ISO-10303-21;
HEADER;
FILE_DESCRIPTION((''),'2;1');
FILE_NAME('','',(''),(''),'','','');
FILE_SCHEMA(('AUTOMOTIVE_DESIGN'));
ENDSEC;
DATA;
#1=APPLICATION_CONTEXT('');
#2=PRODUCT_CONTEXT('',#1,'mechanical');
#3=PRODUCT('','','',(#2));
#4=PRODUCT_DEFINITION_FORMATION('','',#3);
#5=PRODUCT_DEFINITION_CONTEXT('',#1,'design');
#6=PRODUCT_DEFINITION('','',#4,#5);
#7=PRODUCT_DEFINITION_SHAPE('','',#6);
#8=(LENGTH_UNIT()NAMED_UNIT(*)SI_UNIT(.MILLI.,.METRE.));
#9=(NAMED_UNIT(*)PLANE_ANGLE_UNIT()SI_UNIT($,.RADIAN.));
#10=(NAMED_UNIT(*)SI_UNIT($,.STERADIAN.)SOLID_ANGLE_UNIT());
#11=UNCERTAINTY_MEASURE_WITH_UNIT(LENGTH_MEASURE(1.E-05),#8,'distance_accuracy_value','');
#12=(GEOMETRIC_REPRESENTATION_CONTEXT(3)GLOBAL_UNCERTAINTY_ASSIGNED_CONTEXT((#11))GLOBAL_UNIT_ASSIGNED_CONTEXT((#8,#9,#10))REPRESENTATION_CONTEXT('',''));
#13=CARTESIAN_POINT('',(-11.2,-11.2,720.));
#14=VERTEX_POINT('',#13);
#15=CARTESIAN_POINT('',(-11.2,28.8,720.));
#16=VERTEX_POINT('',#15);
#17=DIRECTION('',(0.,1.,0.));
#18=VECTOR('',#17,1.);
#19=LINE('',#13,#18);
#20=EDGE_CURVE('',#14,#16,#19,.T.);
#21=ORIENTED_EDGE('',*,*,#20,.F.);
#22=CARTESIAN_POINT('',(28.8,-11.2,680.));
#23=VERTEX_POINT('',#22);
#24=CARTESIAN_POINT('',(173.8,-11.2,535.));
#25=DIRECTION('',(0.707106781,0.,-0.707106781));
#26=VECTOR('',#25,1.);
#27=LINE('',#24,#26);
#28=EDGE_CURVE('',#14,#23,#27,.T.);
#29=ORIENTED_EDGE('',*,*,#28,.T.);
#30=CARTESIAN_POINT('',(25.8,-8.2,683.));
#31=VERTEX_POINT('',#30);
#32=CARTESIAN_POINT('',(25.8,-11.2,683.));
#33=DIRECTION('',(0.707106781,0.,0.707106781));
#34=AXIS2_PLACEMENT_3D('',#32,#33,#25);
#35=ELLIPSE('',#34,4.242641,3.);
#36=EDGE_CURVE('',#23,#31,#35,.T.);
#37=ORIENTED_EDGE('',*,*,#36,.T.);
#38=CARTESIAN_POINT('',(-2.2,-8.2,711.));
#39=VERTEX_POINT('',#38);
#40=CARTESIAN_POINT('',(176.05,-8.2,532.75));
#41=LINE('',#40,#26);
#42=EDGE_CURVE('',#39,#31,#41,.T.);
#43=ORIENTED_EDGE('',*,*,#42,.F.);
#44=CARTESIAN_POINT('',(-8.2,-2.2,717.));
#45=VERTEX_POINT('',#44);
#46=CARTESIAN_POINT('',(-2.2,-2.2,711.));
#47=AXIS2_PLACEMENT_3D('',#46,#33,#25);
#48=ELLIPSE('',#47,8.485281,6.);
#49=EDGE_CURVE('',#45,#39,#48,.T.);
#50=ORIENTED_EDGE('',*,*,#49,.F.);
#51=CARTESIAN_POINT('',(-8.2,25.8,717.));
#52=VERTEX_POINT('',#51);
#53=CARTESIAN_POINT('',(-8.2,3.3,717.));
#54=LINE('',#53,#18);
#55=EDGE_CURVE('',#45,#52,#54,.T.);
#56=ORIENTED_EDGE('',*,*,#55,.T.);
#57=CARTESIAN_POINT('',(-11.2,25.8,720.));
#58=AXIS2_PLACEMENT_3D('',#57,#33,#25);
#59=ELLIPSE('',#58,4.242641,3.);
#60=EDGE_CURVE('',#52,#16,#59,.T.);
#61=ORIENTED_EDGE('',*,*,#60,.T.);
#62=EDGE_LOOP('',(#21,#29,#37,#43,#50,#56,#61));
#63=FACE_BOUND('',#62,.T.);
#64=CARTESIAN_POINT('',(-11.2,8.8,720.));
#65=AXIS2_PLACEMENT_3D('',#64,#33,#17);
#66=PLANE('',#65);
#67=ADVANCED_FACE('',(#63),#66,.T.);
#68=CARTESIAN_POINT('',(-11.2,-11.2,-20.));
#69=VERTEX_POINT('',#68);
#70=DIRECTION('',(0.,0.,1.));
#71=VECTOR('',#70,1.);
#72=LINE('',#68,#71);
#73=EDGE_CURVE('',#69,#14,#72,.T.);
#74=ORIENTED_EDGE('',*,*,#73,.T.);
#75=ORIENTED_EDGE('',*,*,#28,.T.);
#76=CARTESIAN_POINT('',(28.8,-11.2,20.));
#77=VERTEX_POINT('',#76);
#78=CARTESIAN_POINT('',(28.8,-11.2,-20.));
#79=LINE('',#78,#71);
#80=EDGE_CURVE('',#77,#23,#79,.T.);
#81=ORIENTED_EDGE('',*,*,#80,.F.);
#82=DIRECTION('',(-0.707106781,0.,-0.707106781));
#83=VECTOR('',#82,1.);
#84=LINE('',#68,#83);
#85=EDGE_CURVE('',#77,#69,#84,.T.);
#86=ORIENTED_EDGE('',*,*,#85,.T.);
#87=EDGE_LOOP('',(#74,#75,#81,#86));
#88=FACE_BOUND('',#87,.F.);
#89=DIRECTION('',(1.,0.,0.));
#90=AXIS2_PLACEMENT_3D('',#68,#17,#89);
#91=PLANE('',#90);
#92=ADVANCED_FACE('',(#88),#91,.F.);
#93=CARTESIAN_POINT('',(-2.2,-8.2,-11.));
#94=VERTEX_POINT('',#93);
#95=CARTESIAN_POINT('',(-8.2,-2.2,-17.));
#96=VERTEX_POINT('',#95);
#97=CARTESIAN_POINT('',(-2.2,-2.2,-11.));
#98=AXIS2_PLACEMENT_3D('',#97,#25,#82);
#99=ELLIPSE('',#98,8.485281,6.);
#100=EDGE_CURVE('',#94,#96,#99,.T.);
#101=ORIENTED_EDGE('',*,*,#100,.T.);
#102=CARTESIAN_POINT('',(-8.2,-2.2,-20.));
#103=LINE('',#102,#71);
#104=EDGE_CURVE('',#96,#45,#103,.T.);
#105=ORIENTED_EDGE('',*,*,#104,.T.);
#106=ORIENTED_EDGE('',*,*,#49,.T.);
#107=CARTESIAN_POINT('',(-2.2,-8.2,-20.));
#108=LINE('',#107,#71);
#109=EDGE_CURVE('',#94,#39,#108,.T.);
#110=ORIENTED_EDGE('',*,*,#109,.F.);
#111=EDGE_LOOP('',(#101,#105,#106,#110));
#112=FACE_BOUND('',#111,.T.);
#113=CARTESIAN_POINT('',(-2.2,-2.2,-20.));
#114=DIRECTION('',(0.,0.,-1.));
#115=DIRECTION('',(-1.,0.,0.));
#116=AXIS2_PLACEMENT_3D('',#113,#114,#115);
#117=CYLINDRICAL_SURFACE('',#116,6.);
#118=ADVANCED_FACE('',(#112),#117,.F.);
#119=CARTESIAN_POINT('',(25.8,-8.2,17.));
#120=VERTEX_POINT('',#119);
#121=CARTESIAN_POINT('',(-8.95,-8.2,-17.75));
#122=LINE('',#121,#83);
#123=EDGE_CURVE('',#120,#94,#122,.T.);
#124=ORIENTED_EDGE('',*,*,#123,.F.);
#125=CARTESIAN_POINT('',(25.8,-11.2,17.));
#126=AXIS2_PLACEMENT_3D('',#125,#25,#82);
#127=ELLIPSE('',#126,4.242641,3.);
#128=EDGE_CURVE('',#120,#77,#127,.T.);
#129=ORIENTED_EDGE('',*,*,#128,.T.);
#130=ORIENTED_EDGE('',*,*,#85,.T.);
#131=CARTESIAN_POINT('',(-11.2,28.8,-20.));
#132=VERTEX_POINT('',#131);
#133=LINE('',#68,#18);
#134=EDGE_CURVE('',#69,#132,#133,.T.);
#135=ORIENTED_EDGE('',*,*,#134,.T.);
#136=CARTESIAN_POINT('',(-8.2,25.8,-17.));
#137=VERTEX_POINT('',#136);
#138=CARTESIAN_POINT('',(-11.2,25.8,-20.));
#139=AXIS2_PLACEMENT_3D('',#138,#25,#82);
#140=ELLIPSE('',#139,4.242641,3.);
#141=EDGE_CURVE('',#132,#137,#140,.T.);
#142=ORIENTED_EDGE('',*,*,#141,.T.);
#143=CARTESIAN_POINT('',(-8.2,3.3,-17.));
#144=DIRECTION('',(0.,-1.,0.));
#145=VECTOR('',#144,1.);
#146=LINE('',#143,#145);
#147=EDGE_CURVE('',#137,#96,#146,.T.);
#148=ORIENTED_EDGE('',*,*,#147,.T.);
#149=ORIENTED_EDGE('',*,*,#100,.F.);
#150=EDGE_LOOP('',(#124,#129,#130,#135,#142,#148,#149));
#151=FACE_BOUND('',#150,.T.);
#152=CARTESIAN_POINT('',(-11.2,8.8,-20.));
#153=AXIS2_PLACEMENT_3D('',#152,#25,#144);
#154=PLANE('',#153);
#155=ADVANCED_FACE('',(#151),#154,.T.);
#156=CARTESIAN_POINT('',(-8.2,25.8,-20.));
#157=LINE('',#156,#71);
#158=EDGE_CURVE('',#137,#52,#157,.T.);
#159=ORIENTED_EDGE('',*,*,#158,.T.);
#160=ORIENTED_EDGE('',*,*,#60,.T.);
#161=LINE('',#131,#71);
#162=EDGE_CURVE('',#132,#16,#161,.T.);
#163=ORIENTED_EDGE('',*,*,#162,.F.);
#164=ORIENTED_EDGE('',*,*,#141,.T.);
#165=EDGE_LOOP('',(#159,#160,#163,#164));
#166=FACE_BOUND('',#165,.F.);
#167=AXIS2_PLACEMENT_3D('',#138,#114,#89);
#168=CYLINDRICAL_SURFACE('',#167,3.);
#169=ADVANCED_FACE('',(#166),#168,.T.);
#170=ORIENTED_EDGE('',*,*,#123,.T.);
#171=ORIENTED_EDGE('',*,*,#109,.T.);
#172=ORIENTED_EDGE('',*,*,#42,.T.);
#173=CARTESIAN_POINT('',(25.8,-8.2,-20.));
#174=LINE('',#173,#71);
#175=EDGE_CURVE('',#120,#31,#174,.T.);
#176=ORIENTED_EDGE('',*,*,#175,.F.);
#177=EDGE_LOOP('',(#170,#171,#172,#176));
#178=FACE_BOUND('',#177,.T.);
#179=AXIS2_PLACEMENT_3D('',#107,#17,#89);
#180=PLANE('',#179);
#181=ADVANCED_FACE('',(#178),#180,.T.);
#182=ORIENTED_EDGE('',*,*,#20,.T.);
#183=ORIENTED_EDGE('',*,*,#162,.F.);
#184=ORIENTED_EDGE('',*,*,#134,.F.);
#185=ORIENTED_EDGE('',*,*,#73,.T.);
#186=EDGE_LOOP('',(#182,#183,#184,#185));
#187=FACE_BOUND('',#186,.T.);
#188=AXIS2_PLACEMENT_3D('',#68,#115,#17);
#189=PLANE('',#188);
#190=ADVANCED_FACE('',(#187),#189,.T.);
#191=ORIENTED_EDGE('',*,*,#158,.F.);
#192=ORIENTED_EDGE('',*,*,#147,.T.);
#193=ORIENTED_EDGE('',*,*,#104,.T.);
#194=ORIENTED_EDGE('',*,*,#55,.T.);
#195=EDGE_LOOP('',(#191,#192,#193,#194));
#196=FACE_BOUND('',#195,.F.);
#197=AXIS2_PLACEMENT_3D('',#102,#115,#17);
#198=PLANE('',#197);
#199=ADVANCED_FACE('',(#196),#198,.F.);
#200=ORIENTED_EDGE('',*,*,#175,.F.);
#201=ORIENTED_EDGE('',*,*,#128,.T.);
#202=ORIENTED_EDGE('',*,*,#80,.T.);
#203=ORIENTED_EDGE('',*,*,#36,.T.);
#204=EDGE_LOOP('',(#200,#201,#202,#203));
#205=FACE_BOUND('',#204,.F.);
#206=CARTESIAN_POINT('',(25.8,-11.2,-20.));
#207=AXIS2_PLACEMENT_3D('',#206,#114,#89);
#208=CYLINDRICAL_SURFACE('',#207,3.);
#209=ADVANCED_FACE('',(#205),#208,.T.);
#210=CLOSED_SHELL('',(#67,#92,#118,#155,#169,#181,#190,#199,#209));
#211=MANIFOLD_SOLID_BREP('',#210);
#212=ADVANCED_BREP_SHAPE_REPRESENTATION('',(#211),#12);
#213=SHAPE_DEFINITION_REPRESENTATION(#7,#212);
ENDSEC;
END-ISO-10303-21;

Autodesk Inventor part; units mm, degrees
ref_plane "Start plane" through (0, 0, -20) normal (0, 0, 1) x (1, 0, 0)
ref_plane "End plane" through (0, 0, 720) normal (0, 0, 1) x (1, 0, 0)
sketch "Sketch2" plane through (0, 0, 0) normal (0, 0, 1) x (1, 0, 0)
  line L0 (-8.2, -2.2) -> (-8.2, 25.8)
  line L1 (-11.2, 28.8) -> (-11.2, 28.8)
  line L2 (-11.2, -11.2) -> (-11.2, 28.8)
  line L3 (-11.2, -11.2) -> (28.8, -11.2)
  line L4 (28.8, -11.2) -> (28.8, -11.2)
  line L5 (-2.2, -8.2) -> (25.8, -8.2)
  arc A0 (-8.2, -2.2) -> (-2.2, -8.2) centre (-2.2, -2.2) ccw
  arc A1 (-8.2, 25.8) -> (-11.2, 28.8) centre (-11.2, 25.8) ccw
  arc A2 (28.8, -11.2) -> (25.8, -8.2) centre (25.8, -11.2) ccw
  line L6 (0, 37.5456) -> (0, -19.3243) construction
  line L7 (-19.3243, 0) -> (37.5456, 0) construction
  point P0 (-8.2, -8.2)
  point P1 (-8.2, 28.8)
  point P2 (28.8, -8.2)
  dimension "d4" = 40
  dimension "d6" = 40
  dimension "d8" = 3
  dimension "d10" = 3
  dimension "d17" = 6
  dimension "d18" = 3
  dimension "d19" = 11.2
  dimension "d20" = 11.2
extrude "Body" add sketch "Sketch2" along normal up to surface (740 mm away) from surface at -20
sketch "Sketch3" plane through (0, 0, 0) normal (0, 0, 1) x (1, 0, 0)
  line L0 (0, 0) -> (10, 0)
ref_plane "Work Plane10" through (0, 0, 0) normal (0, -1, 0) x (1, 0, 0)
sketch "Sketch4" plane through (0, 0, 0) normal (0, -1, 0) x (1, 0, 0)
  line L0 (-2, -20) -> (12, -20)
  line L1 (-2, 720) -> (12, 720)
  dimension "d24" = 740
ref_plane "Work Plane11" through (-11.2, 8.8, 720) normal (0.7071, 0, 0.7071) x (0.7071, 0, -0.7071)
split "Split1" plane through (-11.2, 8.8, 720) removes the side toward (0.7071, 0, 0.7071)
ref_plane "Work Plane12" through (-11.2, 8.8, -20) normal (0.7071, 0, -0.7071) x (-0.7071, 0, -0.7071)
split "Split2" plane through (-11.2, 8.8, -20) removes the side toward (0.7071, 0, -0.7071)
equation "\"d4\" = b"
equation "\"d6\" = b"
equation "\"d8\" = ParT"
equation "\"d10\" = ParT"
equation "\"d17\" = R"
equation "\"d18\" = R1"
equation "\"d19\" = ex"
equation "\"d20\" = d19"
equation "\"d11\" = G_L"
equation "\"b\" = 40"
equation "\"ParT\" = 3"
equation "\"R\" = 6"
equation "\"R1\" = 3"
equation "\"G_L\" = d24"
equation "\"ex\" = 11.2"
equation "\"G_OFFSET_START\" = 20"
equation "\"G_OFFSET_END\" = 20"
equation "\"d21\" = -G_OFFSET_START"
equation "\"d22\" = G_OFFSET_END + B_L"
equation "\"B_L\" = 700"
properties part number "ISO 657-1 - L40x40x3-740" material "Steel, Mild"
